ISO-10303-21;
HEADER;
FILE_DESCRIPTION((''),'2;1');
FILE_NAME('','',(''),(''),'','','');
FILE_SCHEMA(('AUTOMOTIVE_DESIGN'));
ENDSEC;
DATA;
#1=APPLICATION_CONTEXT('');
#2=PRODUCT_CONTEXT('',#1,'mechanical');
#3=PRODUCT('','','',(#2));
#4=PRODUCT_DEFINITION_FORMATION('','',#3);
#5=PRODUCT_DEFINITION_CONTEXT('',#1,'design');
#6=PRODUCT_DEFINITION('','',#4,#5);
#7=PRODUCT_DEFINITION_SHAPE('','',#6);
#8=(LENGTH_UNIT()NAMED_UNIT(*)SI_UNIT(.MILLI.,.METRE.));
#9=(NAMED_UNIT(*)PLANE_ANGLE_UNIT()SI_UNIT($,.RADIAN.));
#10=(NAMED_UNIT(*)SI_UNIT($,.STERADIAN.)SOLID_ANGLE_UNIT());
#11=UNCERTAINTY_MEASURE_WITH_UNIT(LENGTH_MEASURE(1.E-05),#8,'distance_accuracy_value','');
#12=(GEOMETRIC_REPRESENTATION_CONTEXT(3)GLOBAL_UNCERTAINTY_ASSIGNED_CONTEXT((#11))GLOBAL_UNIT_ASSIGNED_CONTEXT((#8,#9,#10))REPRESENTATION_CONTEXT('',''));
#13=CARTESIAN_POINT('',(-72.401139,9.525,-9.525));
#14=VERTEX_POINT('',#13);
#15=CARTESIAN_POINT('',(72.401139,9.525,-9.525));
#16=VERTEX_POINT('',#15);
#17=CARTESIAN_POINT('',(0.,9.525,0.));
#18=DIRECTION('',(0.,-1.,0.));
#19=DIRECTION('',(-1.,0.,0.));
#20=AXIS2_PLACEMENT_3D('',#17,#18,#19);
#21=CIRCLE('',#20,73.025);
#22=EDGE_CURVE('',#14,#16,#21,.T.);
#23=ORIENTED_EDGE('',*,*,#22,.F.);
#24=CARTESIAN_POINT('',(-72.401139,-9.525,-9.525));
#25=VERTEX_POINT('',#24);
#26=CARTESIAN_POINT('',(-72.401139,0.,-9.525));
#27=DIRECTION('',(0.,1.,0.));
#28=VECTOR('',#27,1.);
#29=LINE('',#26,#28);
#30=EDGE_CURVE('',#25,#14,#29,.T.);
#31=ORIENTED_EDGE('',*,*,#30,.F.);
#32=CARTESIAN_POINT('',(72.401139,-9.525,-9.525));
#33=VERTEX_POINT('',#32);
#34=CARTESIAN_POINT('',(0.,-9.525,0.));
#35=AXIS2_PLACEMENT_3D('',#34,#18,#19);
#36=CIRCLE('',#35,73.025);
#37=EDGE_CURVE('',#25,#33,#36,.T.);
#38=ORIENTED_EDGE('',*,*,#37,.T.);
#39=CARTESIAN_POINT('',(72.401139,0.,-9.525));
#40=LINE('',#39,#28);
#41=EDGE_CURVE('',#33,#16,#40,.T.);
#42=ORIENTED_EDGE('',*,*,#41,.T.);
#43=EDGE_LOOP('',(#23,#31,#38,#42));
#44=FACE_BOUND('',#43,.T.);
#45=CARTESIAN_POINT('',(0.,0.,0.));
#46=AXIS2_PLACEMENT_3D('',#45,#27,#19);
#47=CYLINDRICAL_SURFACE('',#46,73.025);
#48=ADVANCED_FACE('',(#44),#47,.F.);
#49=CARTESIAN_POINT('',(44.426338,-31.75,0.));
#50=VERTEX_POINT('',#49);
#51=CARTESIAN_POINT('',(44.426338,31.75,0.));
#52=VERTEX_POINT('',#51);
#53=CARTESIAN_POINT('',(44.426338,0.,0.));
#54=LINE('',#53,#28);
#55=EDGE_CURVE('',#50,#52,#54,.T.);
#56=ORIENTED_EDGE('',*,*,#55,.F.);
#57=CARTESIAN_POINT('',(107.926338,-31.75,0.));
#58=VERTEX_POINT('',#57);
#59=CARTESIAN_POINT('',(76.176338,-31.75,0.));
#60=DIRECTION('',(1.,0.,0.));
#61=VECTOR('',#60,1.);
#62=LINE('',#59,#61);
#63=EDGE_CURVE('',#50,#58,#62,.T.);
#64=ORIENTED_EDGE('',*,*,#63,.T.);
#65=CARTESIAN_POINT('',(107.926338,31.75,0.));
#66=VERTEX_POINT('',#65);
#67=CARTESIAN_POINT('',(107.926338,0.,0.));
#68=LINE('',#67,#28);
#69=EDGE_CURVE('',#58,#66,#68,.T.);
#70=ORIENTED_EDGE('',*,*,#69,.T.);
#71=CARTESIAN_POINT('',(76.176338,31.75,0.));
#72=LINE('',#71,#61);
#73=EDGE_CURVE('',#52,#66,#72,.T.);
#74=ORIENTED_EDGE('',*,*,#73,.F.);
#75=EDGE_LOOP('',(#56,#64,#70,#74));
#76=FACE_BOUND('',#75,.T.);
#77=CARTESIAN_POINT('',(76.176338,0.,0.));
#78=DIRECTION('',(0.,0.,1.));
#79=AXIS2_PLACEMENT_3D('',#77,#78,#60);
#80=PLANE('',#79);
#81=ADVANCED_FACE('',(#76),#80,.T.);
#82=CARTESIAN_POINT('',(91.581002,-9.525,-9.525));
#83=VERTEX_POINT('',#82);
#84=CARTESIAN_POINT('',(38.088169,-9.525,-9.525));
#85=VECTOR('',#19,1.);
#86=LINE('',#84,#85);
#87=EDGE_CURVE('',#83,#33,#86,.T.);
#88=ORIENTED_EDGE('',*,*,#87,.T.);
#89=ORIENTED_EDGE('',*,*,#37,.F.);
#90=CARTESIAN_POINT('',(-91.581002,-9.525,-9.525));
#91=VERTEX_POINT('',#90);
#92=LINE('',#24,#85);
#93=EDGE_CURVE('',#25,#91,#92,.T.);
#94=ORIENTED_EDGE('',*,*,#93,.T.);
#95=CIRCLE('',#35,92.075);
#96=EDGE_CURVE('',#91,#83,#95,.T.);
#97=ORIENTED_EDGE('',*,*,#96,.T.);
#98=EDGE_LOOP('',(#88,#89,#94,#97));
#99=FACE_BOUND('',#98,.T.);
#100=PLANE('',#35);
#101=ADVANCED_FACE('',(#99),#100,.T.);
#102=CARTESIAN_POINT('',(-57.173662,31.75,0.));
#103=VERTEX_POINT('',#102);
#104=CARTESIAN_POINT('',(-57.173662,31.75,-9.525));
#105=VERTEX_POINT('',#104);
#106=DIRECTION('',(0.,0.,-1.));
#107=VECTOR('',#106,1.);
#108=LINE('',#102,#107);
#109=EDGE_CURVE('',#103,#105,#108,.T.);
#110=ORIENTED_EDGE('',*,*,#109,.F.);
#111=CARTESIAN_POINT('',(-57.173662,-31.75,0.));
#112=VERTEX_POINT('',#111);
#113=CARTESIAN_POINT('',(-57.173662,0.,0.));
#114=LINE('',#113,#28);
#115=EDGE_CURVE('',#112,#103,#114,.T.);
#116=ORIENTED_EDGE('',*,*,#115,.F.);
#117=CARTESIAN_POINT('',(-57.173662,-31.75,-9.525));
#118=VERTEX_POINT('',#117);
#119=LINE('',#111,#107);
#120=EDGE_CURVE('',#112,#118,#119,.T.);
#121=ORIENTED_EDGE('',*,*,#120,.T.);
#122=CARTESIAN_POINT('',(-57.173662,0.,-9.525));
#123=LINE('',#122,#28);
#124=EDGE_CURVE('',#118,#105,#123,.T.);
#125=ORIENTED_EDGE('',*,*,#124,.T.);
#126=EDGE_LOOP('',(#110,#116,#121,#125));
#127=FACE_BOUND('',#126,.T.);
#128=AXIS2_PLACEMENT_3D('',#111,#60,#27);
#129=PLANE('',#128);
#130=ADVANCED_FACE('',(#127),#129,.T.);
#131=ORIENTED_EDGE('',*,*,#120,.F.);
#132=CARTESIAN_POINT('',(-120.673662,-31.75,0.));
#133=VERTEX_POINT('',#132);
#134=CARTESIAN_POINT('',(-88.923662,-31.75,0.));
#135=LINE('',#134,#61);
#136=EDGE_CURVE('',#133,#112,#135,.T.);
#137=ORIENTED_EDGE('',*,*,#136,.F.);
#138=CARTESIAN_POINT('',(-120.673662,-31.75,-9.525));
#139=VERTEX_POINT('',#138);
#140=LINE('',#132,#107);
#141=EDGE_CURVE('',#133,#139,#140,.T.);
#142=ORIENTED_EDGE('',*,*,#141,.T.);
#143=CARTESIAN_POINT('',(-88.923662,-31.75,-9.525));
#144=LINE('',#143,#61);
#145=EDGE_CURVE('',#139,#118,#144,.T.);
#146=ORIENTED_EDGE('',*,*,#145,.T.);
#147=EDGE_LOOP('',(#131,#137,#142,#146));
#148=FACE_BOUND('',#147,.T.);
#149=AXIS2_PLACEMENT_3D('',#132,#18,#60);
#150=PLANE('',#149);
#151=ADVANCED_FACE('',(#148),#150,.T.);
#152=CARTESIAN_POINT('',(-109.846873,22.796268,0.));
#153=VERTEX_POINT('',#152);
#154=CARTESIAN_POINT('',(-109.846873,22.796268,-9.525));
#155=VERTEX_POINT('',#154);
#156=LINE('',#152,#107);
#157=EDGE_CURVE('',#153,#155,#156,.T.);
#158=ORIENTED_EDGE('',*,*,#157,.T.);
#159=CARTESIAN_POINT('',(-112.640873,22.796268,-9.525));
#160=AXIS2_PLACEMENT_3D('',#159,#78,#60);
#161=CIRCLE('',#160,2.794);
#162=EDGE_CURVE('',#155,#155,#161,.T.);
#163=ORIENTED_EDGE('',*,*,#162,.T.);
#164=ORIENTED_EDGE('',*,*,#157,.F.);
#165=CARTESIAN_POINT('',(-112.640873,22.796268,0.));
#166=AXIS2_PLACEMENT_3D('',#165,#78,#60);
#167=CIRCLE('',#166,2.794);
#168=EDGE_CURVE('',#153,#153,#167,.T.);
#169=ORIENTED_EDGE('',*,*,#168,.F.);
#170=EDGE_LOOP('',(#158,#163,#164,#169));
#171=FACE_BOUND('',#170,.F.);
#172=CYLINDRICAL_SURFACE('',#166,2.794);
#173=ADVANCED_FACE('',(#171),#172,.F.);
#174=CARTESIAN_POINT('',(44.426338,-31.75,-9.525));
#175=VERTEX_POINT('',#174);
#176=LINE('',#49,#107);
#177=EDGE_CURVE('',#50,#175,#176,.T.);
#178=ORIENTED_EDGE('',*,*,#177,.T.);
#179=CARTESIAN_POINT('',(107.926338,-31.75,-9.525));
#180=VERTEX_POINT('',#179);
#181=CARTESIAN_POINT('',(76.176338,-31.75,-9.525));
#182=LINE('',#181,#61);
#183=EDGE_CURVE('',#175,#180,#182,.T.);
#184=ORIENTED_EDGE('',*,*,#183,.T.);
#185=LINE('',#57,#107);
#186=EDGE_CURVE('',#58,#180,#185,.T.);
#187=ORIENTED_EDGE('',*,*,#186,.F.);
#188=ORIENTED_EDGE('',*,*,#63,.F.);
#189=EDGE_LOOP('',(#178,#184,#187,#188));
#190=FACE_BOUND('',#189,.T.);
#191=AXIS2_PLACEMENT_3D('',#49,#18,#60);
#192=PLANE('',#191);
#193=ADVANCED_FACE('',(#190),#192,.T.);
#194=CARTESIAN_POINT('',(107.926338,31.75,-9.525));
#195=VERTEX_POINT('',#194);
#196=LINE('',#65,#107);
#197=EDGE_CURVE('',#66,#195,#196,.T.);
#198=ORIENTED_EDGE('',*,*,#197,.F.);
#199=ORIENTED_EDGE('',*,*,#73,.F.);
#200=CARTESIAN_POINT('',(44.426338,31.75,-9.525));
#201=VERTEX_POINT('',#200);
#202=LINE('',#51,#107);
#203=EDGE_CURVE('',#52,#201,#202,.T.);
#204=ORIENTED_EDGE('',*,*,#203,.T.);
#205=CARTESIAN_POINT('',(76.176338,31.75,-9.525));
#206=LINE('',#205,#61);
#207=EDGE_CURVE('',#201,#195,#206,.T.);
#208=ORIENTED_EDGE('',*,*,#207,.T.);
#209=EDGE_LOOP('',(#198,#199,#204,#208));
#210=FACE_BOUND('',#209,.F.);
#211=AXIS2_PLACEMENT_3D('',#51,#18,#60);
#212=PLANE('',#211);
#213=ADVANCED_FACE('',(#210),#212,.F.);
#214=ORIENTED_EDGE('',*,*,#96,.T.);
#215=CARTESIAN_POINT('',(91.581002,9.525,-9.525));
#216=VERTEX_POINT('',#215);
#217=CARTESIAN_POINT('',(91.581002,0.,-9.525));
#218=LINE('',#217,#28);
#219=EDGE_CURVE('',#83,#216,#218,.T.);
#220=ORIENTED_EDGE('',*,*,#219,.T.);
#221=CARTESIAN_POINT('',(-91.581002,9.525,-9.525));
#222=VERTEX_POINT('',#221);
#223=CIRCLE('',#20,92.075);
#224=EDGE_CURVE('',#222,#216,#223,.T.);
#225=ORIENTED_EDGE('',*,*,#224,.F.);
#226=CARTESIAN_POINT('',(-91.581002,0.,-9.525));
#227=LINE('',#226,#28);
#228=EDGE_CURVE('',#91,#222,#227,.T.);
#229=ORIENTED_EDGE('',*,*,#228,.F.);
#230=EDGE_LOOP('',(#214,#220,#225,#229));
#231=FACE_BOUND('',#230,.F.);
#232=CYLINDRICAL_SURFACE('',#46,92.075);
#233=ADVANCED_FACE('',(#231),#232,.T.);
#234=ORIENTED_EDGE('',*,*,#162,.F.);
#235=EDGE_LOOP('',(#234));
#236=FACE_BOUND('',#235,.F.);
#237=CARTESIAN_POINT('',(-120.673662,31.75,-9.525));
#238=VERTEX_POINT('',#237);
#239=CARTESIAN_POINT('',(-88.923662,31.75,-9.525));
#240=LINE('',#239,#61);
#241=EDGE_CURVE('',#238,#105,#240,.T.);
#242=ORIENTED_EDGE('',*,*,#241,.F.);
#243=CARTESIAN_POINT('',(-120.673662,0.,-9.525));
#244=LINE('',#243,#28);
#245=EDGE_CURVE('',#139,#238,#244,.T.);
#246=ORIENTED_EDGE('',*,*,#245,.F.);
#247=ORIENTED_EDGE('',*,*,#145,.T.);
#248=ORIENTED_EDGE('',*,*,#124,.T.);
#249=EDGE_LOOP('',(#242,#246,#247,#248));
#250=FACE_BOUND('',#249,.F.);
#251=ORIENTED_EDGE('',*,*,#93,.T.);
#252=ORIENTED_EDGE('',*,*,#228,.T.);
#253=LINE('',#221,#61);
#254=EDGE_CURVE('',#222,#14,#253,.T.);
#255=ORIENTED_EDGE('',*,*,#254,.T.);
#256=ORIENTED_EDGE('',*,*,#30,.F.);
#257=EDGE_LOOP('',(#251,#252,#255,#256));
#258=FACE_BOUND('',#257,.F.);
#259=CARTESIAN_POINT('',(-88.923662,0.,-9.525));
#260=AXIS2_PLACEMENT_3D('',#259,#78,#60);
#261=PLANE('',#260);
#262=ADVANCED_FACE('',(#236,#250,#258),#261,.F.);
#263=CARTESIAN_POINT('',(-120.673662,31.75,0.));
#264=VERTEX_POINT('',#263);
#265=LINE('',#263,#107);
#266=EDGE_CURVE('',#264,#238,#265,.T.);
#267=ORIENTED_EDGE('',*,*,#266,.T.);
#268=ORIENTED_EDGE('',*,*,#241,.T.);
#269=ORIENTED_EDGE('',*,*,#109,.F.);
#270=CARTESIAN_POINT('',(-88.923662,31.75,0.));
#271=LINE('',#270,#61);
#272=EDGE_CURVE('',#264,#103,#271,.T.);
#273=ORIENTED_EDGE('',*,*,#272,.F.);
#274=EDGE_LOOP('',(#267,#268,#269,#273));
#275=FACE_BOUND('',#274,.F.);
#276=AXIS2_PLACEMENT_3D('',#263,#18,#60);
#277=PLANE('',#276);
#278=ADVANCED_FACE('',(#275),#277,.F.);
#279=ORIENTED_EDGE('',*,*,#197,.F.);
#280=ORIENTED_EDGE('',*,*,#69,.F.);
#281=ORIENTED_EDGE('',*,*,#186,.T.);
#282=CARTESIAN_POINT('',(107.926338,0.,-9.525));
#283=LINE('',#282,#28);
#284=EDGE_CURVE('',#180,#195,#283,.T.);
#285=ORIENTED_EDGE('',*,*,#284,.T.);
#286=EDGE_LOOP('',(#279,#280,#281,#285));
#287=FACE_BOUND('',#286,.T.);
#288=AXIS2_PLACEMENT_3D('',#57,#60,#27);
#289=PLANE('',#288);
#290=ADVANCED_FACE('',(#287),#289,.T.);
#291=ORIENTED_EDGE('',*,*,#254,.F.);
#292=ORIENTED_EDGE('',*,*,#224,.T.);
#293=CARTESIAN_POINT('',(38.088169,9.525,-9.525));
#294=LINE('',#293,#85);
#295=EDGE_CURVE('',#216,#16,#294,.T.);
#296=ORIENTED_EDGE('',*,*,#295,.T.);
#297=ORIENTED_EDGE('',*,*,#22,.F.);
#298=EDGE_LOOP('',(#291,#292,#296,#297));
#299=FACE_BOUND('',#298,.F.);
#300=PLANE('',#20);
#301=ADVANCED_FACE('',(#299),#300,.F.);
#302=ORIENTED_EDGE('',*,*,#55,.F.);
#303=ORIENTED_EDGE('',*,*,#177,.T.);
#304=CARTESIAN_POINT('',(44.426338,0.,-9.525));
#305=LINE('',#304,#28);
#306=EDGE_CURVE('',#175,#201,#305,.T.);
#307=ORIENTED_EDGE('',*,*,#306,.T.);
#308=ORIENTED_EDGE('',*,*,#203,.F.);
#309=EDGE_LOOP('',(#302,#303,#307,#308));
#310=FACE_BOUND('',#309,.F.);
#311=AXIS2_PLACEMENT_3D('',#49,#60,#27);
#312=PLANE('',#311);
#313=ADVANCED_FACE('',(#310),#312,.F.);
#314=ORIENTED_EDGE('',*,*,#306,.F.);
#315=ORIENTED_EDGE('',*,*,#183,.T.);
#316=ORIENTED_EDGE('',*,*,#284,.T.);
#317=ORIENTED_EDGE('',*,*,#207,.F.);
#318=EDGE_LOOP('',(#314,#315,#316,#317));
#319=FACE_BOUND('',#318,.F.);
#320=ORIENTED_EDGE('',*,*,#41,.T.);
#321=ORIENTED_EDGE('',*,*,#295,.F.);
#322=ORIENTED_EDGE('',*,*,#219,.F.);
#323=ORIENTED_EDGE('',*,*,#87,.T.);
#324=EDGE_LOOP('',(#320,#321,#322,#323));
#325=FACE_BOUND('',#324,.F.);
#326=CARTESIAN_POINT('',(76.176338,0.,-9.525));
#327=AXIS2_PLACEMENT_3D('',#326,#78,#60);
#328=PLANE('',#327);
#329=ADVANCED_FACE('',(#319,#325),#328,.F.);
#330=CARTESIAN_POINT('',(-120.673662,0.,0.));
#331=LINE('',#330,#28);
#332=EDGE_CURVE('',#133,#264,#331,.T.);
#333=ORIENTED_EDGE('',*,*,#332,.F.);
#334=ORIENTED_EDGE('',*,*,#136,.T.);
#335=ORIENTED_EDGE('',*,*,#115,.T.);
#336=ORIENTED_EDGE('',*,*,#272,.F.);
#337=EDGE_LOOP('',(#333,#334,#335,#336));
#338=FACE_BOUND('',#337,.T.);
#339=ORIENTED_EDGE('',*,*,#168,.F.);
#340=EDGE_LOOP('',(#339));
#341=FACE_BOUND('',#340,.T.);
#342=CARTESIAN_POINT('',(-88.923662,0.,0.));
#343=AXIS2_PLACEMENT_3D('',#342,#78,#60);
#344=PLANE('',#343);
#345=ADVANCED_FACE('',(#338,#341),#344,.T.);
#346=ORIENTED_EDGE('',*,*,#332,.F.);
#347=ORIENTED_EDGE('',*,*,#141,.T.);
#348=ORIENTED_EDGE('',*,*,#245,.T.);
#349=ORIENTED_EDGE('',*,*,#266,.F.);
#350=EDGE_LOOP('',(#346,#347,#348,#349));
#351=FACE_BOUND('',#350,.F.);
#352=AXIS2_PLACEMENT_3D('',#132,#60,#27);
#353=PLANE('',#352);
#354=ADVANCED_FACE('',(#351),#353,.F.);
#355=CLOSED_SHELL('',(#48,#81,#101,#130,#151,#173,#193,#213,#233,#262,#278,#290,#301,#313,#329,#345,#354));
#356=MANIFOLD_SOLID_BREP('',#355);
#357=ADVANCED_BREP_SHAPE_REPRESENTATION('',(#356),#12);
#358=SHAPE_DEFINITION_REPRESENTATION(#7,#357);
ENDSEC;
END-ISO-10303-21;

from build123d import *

# Parameters (mm, degrees)
F1_W     = 19.05
F1_H     = 19.05
F2_ANGLE = 180
F0_W     = 63.5
F0_H     = 63.5
F0_R     = 2.794
F3_DEPTH = 9.525
F4_DEPTH = 9.525


with BuildPart() as f2:
    # F1 (on Top) → F2 (revolve)
    with BuildSketch(Plane.XY):
        with Locations((-82.55, 0)):
            Rectangle(F1_W, F1_H)
    revolve(axis=Axis((0, 0, 0), (0, -1, 0)), revolution_arc=F2_ANGLE)

    # F0 (on Top) → F3 (join)
    with BuildSketch(Plane.XY):
        with Locations((-88.923662, 0)):
            Rectangle(F0_W, F0_H)
        with Locations((-112.640873, 22.796268)):
            Circle(F0_R, mode=Mode.SUBTRACT)
    extrude(amount=-F3_DEPTH)

    # F0 (on Top) + F1 (on Top) → F4 (join)
    with BuildSketch(Plane.XY):
        with Locations((76.176338, 0)):
            Rectangle(F0_W, F0_H)
    with BuildSketch(Plane.XY):
        with Locations((-82.55, 0)):
            Rectangle(F1_W, F1_H)
    extrude(amount=-F4_DEPTH)


solid = f2.part
